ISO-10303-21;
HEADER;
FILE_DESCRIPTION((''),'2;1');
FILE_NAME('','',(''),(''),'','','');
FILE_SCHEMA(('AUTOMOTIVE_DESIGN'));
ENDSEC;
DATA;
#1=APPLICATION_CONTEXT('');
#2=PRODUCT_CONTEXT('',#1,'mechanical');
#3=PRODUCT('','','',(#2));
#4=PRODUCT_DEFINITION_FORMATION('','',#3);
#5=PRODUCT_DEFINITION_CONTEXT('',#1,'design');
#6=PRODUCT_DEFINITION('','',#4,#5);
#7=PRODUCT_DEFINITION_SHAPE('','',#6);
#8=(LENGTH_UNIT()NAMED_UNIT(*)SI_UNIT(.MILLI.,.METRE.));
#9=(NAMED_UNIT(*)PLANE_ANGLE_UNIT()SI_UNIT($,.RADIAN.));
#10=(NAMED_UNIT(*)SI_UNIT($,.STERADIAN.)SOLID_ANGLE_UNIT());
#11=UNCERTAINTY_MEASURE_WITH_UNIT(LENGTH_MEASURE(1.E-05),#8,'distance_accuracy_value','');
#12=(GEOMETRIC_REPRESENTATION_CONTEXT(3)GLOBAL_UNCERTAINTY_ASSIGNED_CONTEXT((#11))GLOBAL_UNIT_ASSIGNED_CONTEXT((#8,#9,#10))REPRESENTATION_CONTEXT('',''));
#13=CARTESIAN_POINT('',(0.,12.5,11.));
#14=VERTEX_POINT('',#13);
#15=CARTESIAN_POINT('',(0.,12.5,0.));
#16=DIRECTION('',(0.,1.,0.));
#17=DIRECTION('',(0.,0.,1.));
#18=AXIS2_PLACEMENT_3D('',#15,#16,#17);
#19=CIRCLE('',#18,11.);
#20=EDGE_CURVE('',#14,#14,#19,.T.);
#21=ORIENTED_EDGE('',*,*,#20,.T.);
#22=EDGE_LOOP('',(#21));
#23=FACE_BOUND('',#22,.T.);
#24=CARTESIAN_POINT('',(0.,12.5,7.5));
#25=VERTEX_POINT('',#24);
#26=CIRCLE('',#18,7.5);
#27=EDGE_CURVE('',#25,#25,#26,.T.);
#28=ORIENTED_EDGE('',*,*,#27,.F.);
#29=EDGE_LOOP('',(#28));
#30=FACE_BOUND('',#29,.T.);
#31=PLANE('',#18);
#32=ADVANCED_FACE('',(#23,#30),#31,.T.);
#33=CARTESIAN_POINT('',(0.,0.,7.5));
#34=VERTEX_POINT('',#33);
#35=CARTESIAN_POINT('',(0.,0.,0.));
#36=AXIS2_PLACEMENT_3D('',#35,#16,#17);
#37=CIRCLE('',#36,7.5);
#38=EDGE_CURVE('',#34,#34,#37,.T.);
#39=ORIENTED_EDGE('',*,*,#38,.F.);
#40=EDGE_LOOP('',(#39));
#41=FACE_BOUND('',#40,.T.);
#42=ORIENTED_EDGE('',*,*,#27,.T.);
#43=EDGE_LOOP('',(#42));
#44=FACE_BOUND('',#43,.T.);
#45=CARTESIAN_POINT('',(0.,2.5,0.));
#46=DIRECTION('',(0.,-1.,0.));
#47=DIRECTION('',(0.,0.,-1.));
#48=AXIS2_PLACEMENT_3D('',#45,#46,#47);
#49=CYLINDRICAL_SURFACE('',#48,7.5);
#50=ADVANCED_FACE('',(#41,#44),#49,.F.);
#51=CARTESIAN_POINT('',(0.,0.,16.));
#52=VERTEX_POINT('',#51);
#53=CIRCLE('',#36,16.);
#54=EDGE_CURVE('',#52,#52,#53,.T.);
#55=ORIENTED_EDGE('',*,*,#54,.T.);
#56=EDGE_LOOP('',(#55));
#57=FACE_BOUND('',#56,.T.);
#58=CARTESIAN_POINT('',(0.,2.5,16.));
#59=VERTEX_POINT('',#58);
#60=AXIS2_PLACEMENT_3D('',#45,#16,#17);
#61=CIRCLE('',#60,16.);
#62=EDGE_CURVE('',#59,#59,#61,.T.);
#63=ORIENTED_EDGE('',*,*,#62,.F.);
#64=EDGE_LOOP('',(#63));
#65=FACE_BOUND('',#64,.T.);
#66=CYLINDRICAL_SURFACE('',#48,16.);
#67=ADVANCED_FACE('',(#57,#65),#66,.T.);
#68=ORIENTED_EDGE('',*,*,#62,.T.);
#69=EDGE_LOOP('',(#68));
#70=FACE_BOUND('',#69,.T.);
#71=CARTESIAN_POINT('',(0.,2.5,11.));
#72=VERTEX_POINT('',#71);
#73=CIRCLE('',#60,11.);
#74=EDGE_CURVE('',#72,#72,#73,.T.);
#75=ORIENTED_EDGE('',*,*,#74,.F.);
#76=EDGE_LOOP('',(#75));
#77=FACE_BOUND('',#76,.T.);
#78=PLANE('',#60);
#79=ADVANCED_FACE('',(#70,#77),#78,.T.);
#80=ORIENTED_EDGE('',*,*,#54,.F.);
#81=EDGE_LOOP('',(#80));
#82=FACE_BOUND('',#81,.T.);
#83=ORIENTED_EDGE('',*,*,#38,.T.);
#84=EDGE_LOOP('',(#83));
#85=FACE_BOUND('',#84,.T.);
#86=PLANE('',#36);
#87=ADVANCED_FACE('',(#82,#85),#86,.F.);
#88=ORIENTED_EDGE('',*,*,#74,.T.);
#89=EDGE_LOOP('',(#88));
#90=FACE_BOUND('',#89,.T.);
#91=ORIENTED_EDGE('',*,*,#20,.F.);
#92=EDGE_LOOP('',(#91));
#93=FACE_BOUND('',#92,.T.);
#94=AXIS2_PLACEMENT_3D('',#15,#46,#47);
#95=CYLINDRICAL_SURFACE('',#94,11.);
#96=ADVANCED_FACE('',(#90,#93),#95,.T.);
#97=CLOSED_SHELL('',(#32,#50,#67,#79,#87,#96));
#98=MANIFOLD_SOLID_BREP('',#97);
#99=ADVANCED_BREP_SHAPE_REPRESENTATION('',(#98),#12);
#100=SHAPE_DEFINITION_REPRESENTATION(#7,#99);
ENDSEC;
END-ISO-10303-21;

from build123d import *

# Parameters (mm, degrees)
SKETCH_1_R      = 16
SKETCH_1_R_2    = 7.5
EXTRUDE_1_DEPTH = 2.5
SKETCH_2_R      = 11
SKETCH_2_R_2    = 7.5
EXTRUDE_2_DEPTH = 10


with BuildPart() as part:
    # 草圖1 → 填料-伸長1 (new body)
    with BuildSketch(Plane(origin=(0, 0, 0), x_dir=(1, 0, 0), z_dir=(0, 1, 0))):
        with Locations(Location((0, 0, 0), (0, 0, 270))):
            Circle(SKETCH_1_R)
        with Locations(Location((0, 0, 0), (0, 0, 270))):
            Circle(SKETCH_1_R_2, mode=Mode.SUBTRACT)
    extrude(amount=EXTRUDE_1_DEPTH)

    # 草圖2 → 填料-伸長2 (add)
    with BuildSketch(Plane(origin=(0, 2.5, 0), x_dir=(1, 0, 0), z_dir=(0, 1, 0))):
        with Locations(Location((0, 0, 0), (0, 0, 270))):
            Circle(SKETCH_2_R)
        with Locations(Location((0, 0, 0), (0, 0, 270))):
            Circle(SKETCH_2_R_2, mode=Mode.SUBTRACT)
    extrude(amount=EXTRUDE_2_DEPTH)


solid = part.part
